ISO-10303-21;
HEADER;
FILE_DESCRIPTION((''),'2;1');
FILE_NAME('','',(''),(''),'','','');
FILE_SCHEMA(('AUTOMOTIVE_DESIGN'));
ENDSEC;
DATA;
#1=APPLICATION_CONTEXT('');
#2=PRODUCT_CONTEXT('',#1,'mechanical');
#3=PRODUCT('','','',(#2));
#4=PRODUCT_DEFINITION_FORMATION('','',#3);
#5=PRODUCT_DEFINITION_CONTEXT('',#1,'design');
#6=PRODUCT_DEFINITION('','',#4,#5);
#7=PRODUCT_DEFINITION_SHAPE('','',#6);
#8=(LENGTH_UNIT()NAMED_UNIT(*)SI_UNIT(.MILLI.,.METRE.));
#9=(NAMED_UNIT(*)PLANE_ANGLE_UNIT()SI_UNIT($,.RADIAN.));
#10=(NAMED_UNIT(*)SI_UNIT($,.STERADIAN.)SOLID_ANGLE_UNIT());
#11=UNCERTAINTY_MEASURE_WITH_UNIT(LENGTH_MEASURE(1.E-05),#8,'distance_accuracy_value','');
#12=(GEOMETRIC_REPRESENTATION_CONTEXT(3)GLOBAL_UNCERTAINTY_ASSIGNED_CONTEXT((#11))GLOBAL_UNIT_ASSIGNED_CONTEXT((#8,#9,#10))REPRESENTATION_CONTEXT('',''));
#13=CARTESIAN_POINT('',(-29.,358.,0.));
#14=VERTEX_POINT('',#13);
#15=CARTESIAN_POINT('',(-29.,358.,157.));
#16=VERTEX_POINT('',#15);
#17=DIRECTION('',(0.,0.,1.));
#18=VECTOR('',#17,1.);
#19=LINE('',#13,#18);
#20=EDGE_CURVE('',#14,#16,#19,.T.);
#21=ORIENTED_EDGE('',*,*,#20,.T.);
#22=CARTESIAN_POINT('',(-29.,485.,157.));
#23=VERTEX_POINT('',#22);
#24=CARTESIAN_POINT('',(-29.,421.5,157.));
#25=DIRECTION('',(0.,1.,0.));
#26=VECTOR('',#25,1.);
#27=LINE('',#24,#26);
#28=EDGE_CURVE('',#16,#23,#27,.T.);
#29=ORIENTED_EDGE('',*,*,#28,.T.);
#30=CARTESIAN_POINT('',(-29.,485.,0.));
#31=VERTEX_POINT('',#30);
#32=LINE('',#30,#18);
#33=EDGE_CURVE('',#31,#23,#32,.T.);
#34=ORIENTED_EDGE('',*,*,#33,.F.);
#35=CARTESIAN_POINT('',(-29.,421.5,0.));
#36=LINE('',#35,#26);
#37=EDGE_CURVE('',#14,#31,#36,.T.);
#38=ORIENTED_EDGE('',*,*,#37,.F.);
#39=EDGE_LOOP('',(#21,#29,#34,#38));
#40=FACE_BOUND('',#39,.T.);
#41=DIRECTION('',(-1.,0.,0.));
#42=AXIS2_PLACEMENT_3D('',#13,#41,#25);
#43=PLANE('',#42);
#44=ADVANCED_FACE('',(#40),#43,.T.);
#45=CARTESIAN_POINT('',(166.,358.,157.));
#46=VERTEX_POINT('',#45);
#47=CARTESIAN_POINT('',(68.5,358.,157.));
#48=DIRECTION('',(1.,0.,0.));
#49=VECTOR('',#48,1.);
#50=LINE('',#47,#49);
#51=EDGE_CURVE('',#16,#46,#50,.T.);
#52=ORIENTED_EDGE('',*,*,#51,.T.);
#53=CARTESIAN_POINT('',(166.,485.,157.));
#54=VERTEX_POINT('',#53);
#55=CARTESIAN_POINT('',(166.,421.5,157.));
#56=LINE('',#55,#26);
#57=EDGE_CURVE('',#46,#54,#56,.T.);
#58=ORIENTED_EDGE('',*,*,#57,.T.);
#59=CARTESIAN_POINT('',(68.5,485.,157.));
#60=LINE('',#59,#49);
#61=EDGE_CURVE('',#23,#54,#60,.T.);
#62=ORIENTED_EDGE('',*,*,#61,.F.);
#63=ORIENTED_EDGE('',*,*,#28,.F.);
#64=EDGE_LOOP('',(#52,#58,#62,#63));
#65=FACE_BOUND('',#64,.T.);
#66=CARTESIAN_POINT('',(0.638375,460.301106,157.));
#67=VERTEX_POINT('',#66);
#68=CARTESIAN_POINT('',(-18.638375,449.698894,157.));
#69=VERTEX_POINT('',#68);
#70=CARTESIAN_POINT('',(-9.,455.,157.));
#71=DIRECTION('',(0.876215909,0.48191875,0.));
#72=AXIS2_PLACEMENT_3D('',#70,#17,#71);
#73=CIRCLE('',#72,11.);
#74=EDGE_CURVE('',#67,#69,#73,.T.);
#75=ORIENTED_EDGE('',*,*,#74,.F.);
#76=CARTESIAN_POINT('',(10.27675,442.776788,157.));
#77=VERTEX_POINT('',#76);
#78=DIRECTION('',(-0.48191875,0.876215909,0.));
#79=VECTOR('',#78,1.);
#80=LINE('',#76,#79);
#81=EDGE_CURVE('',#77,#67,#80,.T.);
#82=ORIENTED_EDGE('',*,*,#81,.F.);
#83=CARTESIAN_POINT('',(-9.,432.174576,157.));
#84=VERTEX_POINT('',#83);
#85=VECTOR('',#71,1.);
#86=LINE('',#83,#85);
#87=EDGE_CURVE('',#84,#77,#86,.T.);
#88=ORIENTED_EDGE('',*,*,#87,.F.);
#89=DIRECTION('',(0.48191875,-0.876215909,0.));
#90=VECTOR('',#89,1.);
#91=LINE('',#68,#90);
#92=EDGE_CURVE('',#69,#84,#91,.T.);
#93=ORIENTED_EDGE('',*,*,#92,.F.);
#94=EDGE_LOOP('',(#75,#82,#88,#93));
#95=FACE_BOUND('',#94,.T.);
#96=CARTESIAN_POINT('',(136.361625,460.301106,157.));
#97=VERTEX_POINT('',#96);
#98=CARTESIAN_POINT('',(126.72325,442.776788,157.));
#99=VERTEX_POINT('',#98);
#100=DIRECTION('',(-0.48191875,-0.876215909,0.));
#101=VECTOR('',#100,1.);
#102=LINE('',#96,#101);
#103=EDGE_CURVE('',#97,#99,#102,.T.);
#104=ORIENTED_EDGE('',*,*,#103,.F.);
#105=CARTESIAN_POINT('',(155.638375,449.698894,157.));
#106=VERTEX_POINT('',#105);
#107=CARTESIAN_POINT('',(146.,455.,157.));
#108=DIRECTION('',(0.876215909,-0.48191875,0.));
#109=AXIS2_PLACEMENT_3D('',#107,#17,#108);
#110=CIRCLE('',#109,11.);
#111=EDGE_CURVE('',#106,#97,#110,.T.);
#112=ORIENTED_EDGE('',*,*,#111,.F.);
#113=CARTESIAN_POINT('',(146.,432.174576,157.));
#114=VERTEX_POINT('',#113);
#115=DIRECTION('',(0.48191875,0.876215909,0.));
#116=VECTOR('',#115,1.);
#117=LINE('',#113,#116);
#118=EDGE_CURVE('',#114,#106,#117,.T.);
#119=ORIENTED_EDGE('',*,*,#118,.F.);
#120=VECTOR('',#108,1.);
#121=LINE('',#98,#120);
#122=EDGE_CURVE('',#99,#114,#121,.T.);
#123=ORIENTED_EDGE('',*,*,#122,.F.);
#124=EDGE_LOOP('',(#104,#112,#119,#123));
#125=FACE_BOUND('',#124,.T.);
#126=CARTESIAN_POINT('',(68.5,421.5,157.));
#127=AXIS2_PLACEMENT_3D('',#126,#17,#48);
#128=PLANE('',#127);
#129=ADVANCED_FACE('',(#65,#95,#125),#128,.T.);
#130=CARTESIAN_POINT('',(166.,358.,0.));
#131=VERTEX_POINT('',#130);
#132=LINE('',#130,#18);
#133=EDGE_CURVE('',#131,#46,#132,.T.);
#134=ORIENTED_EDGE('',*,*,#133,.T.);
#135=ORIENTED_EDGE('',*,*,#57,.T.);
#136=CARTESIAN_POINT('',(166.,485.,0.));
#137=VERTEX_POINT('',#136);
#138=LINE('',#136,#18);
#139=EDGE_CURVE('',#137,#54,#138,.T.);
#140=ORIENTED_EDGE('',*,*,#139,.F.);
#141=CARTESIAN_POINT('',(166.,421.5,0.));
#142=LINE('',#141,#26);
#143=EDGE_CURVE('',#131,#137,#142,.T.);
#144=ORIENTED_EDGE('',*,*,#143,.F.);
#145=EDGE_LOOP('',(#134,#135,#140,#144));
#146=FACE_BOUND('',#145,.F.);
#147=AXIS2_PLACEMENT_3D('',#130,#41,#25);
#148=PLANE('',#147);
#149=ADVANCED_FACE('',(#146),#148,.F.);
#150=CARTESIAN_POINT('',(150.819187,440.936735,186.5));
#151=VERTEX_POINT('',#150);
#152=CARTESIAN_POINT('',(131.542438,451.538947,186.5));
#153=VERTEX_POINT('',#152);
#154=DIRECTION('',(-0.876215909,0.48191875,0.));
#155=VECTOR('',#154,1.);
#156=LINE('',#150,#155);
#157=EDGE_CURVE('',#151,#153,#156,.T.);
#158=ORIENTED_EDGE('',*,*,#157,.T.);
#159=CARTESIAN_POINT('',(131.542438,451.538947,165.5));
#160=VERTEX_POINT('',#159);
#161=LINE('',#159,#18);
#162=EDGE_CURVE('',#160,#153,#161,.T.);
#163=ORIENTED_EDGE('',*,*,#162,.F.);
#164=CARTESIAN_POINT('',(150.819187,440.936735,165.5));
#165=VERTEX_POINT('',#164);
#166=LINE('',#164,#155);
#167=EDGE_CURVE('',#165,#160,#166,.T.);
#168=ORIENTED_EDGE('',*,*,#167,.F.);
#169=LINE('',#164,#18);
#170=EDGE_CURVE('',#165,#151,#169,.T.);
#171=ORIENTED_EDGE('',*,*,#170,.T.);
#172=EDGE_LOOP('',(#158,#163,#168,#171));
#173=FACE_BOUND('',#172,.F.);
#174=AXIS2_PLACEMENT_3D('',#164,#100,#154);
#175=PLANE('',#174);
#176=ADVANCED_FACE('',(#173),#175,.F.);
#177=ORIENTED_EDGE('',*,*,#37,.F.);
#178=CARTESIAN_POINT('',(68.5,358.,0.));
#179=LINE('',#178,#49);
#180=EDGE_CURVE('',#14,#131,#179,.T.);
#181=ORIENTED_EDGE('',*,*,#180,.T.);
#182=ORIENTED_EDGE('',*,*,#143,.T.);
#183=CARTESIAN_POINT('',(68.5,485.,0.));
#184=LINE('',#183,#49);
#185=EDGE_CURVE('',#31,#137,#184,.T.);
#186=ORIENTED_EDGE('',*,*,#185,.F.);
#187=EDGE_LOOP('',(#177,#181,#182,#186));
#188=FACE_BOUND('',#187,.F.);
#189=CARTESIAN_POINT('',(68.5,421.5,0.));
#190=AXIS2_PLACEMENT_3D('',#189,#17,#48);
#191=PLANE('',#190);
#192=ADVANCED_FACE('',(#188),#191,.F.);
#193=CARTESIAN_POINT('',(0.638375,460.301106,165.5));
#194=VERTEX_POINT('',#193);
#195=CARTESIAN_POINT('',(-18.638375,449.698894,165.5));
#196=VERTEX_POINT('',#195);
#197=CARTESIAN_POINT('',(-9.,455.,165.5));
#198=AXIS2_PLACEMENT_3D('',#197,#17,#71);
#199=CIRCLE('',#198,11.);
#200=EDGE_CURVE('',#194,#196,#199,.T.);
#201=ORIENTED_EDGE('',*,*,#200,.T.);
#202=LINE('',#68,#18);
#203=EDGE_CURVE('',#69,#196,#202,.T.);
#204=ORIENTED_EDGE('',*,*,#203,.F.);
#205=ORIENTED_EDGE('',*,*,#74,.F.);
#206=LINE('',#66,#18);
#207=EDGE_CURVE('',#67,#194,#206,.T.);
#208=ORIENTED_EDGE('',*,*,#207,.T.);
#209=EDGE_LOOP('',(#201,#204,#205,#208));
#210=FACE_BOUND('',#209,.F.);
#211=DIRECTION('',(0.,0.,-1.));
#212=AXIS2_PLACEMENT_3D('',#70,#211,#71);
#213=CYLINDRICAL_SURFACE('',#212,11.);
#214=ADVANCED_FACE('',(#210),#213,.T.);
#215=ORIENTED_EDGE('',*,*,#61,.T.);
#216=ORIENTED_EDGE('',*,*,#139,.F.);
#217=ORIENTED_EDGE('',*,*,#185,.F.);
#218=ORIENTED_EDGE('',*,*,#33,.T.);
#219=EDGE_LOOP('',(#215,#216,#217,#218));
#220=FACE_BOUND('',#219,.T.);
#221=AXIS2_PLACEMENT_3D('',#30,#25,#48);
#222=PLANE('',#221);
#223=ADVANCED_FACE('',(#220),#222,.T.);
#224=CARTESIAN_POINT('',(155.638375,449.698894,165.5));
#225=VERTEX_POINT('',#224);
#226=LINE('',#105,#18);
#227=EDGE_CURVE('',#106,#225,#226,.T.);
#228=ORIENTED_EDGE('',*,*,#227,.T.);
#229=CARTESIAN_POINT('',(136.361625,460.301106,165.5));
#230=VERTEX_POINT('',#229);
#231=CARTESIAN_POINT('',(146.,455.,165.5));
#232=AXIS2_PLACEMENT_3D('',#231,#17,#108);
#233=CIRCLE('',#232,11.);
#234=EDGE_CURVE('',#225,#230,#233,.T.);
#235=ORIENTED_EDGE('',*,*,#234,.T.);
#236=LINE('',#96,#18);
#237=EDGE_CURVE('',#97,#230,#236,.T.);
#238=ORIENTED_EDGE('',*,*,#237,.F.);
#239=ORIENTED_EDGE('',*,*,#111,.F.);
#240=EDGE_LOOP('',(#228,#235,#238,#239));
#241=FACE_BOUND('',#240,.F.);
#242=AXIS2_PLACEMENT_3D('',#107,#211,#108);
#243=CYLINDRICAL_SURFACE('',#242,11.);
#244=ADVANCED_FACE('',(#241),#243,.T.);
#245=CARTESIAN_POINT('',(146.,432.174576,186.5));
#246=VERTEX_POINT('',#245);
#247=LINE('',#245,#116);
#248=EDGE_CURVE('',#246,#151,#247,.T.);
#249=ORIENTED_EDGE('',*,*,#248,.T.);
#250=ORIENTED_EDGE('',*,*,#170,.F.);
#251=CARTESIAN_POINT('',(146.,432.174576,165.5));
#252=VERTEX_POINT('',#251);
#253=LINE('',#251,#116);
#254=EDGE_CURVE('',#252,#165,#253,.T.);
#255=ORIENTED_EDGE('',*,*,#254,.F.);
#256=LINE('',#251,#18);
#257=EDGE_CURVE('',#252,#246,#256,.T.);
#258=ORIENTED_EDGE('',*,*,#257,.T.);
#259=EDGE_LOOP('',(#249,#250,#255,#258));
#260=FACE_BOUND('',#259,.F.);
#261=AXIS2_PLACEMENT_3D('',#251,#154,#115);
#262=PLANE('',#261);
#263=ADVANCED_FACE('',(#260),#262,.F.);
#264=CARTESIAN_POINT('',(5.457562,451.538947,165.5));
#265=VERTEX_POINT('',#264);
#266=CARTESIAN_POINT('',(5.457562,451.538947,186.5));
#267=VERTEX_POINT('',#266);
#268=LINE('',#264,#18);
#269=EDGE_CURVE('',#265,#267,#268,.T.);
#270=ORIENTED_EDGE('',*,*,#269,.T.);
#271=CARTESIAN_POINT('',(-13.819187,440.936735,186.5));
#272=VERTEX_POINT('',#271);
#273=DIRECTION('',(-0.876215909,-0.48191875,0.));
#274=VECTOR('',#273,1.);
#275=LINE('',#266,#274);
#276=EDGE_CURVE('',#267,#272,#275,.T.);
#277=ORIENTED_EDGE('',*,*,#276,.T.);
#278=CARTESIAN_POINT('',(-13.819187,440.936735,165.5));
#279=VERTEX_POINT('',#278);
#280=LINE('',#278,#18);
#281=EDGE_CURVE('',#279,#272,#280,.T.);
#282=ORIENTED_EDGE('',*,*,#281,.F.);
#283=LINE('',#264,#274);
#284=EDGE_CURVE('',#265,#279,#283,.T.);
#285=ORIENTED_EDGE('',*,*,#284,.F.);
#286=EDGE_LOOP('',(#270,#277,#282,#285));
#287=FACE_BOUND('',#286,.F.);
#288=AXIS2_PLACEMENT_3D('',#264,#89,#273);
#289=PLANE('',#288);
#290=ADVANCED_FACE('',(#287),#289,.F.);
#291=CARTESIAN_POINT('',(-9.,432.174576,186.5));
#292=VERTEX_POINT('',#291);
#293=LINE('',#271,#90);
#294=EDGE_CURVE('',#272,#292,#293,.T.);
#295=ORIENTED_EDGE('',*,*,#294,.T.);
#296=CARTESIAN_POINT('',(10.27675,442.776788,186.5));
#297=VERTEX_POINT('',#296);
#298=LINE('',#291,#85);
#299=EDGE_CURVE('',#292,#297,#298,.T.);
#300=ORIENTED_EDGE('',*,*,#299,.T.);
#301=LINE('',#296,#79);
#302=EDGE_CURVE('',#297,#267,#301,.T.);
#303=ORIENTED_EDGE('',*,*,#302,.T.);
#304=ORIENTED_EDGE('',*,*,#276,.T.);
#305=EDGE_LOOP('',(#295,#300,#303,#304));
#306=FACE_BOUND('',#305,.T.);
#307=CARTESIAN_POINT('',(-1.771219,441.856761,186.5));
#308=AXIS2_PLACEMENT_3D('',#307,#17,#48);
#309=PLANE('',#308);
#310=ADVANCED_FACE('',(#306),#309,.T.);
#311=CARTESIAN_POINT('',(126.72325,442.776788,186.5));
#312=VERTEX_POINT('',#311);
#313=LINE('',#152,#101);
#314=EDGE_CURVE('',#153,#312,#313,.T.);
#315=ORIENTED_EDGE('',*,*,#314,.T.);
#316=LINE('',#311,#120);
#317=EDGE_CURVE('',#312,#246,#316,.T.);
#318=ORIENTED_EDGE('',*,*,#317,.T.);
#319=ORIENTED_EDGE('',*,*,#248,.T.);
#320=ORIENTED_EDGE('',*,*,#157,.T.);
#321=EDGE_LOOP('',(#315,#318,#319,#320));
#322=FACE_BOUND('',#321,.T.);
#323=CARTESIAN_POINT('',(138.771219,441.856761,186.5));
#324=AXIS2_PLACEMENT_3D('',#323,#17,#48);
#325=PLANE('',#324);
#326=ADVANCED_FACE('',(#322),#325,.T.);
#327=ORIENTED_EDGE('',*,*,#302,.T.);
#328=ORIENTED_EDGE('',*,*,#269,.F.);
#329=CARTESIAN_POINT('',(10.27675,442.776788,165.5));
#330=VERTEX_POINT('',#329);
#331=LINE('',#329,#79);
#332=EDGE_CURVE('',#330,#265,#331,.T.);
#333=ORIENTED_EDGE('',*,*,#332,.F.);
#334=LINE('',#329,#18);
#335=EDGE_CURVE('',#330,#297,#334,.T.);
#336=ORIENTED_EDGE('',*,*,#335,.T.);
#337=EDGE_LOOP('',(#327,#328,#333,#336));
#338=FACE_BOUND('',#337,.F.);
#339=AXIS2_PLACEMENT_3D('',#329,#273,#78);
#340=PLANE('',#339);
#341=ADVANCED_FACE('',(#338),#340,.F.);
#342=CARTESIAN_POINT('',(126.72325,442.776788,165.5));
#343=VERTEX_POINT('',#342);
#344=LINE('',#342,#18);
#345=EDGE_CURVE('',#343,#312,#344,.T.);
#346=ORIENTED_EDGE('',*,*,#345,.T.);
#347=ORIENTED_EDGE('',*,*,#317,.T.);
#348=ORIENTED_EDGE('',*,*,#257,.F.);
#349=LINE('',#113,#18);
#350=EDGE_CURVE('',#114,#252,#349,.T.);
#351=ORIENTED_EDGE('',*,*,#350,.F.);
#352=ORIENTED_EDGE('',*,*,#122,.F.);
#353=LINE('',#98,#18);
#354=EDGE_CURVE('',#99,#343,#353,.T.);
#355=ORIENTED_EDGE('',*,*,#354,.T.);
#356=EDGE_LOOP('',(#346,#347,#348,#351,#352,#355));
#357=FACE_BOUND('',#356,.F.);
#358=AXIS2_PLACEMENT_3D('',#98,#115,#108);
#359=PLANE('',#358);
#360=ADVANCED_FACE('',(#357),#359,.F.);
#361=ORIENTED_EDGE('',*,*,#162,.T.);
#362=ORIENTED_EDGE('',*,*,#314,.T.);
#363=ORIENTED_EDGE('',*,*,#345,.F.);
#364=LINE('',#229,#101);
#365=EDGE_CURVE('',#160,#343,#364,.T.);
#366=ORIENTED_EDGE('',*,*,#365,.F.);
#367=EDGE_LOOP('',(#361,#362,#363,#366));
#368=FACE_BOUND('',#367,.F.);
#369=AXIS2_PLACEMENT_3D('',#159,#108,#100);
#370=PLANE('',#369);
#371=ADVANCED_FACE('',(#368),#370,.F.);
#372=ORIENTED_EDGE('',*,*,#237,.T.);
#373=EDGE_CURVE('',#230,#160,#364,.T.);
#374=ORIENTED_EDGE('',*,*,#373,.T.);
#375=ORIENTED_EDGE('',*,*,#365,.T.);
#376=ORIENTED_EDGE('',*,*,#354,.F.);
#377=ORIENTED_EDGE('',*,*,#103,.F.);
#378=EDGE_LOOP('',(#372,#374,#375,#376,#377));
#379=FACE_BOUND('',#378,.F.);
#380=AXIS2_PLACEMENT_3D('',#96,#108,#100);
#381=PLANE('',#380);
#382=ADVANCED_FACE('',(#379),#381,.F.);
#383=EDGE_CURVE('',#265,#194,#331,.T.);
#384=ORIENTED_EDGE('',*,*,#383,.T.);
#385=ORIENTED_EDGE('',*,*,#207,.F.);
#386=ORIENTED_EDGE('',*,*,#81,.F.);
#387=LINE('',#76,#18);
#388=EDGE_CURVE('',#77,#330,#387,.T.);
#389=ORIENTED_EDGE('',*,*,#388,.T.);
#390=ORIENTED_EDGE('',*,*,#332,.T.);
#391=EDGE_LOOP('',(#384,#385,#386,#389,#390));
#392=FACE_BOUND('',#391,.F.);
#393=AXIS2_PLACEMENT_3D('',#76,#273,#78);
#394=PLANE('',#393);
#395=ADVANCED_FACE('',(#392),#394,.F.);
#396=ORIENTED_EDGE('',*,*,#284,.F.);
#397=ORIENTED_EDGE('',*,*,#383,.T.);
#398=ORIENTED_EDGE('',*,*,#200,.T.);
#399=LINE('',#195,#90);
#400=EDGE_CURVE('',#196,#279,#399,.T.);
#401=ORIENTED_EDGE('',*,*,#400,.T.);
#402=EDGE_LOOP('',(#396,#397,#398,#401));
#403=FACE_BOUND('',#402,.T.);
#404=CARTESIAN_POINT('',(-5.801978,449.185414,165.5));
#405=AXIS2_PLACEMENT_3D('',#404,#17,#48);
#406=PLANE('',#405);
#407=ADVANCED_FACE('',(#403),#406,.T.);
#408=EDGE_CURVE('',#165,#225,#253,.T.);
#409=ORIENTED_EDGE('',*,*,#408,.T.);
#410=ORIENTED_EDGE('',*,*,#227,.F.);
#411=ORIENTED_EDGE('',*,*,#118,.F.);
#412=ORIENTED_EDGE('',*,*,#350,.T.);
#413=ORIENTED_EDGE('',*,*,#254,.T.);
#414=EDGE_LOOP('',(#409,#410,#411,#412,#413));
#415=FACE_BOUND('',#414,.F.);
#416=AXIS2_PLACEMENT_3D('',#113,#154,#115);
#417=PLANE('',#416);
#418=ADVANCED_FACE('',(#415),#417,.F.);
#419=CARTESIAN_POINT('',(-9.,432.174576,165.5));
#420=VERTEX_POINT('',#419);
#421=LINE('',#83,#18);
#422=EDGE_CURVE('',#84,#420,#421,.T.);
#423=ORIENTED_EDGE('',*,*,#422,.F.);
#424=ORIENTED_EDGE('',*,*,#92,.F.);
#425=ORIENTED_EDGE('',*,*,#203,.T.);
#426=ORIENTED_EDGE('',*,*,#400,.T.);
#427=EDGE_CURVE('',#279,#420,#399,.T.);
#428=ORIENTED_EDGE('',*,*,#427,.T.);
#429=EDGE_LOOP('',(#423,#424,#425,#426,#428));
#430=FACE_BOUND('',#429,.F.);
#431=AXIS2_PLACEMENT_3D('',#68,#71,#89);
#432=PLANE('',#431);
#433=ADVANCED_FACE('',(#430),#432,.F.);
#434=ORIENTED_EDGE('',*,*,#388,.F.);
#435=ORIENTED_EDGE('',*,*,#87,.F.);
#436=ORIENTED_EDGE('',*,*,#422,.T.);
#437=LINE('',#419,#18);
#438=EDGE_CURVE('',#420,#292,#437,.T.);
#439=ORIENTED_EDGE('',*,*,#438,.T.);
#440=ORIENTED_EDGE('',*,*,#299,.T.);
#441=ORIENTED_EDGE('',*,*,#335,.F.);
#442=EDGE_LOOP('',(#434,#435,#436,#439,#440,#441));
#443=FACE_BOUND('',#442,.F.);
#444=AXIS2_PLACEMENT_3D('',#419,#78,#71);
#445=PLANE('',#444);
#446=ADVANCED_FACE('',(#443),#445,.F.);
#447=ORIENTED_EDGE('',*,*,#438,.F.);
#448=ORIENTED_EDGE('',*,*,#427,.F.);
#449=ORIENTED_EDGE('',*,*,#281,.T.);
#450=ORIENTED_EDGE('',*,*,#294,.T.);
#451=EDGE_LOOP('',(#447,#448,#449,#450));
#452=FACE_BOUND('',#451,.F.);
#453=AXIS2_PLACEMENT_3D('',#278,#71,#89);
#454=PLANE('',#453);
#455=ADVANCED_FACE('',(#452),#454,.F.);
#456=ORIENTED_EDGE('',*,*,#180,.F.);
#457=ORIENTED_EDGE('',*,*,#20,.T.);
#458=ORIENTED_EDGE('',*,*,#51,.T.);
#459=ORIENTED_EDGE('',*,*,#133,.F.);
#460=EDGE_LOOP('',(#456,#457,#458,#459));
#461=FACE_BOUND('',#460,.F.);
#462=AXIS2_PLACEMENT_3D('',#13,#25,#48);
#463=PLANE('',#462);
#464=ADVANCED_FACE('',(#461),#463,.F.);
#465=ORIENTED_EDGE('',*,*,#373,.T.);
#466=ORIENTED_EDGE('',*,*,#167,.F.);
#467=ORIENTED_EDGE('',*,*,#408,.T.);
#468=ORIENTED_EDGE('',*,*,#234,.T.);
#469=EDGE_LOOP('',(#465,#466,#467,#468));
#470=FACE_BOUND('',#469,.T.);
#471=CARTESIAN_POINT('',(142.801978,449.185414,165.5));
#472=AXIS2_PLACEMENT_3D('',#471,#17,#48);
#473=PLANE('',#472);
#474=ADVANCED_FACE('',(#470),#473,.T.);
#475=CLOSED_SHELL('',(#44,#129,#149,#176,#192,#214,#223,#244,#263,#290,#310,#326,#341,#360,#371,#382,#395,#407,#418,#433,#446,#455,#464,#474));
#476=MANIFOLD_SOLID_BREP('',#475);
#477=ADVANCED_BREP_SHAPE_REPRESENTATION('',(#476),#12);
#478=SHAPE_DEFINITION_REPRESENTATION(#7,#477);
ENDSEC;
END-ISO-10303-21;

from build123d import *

# Parameters (mm, degrees)
SKETCH016_W  = 195
SKETCH016_H  = 127
PAD012_DEPTH = 157
PAD013_DEPTH = 8.5
PAD014_DEPTH = 21


with BuildPart() as part:
    # Sketch016 → Pad012 (new body)
    with BuildSketch(Plane.XY):
        with Locations((97.5, -63.5)):
            Rectangle(SKETCH016_W, SKETCH016_H)
    extrude(amount=PAD012_DEPTH)

    # Sketch017 (on Face6 of Pad012) → Pad013 (join)
    with BuildSketch(Plane.XY.offset(157)):
        with BuildLine():
            ThreePointArc((29.6383749954, -24.6988937525), (14.6988937525, -20.3616250046), (10.3616250046, -35.3011062475))
            Line((10.3616250046, -35.3011062475), (20, -52.825424421))
            Line((20, -52.825424421), (39.2767499909, -42.223211926))
            Line((39.2767499909, -42.223211926), (29.6383749954, -24.6988937525))
        make_face()
        with BuildLine():
            Line((175, -52.825424421), (184.6383749954, -35.3011062475))
            ThreePointArc((184.6383749954, -35.3011062475), (180.3011062475, -20.3616250046), (165.3616250046, -24.6988937525))
            Line((165.3616250046, -24.6988937525), (155.7232500091, -42.223211926))
            Line((155.7232500091, -42.223211926), (175, -52.825424421))
        make_face()
    extrude(amount=PAD013_DEPTH)

    # Sketch018 (on Face15 of Pad013) → Pad014 (join)
    with BuildSketch(Plane.XY.offset(165.5)):
        Polygon((20, -52.825424421), (39.2767499909, -42.223211926), (34.4575624932, -33.4610528393), (15.1808125023, -44.0632653343), align=None)
        Polygon((155.7232500091, -42.223211926), (175, -52.825424421), (179.8191874977, -44.0632653343), (160.5424375068, -33.4610528393), align=None)
    extrude(amount=PAD014_DEPTH)


with BuildPart() as part_1:
    # Body005 placement: moved
    add(part.part.moved(Location((-29, 485, 0))))


solid = part_1.part
